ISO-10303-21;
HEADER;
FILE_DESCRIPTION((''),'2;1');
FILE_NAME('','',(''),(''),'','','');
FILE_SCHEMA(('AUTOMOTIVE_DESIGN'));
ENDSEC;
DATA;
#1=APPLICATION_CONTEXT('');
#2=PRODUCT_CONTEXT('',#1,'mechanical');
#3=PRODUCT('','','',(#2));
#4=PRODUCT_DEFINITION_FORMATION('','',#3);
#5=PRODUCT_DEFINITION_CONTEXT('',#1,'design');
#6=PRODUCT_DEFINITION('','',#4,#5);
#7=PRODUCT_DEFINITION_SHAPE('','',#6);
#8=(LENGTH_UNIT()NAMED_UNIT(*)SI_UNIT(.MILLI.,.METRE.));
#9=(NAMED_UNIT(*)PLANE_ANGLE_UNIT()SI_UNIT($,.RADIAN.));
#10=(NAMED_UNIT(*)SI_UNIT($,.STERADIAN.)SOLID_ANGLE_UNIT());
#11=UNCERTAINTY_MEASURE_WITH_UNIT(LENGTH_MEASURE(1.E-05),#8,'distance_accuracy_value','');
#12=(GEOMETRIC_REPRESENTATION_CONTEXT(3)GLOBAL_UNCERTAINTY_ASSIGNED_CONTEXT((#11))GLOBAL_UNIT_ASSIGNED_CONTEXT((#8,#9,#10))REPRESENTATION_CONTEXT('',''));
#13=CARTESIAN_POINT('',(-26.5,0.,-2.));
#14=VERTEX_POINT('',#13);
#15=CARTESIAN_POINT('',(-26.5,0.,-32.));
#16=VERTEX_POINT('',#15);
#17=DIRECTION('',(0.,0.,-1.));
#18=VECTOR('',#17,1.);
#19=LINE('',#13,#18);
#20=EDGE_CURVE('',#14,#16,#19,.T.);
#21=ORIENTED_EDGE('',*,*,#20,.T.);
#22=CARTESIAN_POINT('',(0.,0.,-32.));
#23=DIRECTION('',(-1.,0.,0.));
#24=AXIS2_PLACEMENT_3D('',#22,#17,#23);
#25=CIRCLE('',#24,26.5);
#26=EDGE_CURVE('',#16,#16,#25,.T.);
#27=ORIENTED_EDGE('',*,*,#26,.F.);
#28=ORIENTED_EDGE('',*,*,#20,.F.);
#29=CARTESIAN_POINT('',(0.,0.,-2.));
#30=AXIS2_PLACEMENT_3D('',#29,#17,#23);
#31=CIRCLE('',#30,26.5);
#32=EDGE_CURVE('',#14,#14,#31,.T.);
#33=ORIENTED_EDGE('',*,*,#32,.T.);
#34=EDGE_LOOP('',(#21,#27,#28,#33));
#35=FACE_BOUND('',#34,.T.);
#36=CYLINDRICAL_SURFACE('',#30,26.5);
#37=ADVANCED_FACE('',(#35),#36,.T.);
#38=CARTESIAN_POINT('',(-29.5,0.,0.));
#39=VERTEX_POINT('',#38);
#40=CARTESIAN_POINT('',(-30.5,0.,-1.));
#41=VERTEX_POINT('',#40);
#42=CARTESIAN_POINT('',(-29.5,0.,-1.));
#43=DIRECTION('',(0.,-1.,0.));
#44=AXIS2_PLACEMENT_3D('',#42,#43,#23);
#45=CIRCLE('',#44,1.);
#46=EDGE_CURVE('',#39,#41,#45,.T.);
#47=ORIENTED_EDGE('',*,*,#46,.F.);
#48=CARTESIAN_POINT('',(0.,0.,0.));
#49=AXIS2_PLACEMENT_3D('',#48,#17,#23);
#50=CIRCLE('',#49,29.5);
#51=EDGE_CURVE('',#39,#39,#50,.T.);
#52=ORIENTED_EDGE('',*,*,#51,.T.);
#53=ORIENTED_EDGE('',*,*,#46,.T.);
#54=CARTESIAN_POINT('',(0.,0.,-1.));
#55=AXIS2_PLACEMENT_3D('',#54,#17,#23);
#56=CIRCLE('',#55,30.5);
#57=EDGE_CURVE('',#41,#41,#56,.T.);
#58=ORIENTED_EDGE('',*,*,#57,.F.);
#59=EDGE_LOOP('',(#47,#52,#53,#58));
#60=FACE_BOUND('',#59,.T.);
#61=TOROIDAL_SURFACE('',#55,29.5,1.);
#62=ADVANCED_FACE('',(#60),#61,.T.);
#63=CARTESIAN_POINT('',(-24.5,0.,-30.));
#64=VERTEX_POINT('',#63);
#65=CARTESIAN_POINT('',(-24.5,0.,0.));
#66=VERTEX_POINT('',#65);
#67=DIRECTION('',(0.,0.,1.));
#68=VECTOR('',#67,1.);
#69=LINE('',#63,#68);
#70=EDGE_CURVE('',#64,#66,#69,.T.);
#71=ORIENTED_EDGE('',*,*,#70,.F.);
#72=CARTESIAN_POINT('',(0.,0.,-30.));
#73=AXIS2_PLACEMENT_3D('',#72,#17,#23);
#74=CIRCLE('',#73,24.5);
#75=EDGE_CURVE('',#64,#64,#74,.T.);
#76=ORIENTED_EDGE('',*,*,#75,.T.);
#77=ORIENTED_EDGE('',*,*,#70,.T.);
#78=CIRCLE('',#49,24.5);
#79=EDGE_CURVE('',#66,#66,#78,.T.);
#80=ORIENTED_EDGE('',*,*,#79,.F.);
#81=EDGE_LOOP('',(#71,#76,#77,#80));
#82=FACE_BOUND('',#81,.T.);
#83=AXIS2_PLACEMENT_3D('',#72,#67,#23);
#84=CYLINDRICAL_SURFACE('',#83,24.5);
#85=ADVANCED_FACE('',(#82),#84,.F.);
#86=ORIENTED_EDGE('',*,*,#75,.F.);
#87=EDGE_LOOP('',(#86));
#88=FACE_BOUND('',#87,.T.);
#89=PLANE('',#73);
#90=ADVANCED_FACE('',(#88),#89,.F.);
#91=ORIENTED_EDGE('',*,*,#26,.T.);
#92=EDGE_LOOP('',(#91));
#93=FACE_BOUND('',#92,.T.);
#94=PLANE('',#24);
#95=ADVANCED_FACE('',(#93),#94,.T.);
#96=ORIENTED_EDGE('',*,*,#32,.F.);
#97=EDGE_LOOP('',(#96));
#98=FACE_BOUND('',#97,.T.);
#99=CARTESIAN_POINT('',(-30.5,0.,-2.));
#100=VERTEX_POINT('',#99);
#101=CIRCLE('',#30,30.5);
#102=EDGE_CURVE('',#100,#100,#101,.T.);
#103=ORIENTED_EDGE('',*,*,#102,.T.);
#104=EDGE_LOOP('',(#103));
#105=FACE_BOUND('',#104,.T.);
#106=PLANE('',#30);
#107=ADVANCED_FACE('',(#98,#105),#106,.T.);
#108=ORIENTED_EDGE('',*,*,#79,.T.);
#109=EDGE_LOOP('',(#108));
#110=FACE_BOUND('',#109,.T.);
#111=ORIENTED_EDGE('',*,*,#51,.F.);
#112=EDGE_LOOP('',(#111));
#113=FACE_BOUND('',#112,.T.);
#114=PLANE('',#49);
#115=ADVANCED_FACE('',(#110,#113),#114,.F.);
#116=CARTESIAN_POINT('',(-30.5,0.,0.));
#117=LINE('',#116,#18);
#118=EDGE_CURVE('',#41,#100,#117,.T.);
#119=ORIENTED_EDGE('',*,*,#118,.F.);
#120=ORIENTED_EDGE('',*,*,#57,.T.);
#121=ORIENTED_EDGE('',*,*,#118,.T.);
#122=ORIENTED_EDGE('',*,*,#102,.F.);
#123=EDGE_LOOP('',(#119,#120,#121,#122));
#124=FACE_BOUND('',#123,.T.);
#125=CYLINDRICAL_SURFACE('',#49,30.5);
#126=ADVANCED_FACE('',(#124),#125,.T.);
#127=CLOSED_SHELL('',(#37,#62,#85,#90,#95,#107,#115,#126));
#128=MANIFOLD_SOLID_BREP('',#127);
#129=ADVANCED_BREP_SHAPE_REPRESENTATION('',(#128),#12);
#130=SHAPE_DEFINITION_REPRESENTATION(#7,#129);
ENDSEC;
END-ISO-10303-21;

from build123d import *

# Parameters (mm, degrees)
F2_R = 1


with BuildPart() as f1:
    # F0 (on Front) → F1 (revolve)
    with BuildSketch(Plane.XZ):
        Polygon((0, -30), (-24.5, -30), (-24.5, 0), (-30.5, 0), (-30.5, -2), (-26.5, -2), (-26.5, -32), (0, -32), align=None)
    revolve(axis=Axis((0, 0, -26.37106), (0, 0, -1)))

    # F2
    f2_edges = [f1.edges().sort_by_distance(p)[0] for p in [
        (30.5, 0, 0),
    ]]
    fillet(f2_edges, radius=F2_R)


solid = f1.part
